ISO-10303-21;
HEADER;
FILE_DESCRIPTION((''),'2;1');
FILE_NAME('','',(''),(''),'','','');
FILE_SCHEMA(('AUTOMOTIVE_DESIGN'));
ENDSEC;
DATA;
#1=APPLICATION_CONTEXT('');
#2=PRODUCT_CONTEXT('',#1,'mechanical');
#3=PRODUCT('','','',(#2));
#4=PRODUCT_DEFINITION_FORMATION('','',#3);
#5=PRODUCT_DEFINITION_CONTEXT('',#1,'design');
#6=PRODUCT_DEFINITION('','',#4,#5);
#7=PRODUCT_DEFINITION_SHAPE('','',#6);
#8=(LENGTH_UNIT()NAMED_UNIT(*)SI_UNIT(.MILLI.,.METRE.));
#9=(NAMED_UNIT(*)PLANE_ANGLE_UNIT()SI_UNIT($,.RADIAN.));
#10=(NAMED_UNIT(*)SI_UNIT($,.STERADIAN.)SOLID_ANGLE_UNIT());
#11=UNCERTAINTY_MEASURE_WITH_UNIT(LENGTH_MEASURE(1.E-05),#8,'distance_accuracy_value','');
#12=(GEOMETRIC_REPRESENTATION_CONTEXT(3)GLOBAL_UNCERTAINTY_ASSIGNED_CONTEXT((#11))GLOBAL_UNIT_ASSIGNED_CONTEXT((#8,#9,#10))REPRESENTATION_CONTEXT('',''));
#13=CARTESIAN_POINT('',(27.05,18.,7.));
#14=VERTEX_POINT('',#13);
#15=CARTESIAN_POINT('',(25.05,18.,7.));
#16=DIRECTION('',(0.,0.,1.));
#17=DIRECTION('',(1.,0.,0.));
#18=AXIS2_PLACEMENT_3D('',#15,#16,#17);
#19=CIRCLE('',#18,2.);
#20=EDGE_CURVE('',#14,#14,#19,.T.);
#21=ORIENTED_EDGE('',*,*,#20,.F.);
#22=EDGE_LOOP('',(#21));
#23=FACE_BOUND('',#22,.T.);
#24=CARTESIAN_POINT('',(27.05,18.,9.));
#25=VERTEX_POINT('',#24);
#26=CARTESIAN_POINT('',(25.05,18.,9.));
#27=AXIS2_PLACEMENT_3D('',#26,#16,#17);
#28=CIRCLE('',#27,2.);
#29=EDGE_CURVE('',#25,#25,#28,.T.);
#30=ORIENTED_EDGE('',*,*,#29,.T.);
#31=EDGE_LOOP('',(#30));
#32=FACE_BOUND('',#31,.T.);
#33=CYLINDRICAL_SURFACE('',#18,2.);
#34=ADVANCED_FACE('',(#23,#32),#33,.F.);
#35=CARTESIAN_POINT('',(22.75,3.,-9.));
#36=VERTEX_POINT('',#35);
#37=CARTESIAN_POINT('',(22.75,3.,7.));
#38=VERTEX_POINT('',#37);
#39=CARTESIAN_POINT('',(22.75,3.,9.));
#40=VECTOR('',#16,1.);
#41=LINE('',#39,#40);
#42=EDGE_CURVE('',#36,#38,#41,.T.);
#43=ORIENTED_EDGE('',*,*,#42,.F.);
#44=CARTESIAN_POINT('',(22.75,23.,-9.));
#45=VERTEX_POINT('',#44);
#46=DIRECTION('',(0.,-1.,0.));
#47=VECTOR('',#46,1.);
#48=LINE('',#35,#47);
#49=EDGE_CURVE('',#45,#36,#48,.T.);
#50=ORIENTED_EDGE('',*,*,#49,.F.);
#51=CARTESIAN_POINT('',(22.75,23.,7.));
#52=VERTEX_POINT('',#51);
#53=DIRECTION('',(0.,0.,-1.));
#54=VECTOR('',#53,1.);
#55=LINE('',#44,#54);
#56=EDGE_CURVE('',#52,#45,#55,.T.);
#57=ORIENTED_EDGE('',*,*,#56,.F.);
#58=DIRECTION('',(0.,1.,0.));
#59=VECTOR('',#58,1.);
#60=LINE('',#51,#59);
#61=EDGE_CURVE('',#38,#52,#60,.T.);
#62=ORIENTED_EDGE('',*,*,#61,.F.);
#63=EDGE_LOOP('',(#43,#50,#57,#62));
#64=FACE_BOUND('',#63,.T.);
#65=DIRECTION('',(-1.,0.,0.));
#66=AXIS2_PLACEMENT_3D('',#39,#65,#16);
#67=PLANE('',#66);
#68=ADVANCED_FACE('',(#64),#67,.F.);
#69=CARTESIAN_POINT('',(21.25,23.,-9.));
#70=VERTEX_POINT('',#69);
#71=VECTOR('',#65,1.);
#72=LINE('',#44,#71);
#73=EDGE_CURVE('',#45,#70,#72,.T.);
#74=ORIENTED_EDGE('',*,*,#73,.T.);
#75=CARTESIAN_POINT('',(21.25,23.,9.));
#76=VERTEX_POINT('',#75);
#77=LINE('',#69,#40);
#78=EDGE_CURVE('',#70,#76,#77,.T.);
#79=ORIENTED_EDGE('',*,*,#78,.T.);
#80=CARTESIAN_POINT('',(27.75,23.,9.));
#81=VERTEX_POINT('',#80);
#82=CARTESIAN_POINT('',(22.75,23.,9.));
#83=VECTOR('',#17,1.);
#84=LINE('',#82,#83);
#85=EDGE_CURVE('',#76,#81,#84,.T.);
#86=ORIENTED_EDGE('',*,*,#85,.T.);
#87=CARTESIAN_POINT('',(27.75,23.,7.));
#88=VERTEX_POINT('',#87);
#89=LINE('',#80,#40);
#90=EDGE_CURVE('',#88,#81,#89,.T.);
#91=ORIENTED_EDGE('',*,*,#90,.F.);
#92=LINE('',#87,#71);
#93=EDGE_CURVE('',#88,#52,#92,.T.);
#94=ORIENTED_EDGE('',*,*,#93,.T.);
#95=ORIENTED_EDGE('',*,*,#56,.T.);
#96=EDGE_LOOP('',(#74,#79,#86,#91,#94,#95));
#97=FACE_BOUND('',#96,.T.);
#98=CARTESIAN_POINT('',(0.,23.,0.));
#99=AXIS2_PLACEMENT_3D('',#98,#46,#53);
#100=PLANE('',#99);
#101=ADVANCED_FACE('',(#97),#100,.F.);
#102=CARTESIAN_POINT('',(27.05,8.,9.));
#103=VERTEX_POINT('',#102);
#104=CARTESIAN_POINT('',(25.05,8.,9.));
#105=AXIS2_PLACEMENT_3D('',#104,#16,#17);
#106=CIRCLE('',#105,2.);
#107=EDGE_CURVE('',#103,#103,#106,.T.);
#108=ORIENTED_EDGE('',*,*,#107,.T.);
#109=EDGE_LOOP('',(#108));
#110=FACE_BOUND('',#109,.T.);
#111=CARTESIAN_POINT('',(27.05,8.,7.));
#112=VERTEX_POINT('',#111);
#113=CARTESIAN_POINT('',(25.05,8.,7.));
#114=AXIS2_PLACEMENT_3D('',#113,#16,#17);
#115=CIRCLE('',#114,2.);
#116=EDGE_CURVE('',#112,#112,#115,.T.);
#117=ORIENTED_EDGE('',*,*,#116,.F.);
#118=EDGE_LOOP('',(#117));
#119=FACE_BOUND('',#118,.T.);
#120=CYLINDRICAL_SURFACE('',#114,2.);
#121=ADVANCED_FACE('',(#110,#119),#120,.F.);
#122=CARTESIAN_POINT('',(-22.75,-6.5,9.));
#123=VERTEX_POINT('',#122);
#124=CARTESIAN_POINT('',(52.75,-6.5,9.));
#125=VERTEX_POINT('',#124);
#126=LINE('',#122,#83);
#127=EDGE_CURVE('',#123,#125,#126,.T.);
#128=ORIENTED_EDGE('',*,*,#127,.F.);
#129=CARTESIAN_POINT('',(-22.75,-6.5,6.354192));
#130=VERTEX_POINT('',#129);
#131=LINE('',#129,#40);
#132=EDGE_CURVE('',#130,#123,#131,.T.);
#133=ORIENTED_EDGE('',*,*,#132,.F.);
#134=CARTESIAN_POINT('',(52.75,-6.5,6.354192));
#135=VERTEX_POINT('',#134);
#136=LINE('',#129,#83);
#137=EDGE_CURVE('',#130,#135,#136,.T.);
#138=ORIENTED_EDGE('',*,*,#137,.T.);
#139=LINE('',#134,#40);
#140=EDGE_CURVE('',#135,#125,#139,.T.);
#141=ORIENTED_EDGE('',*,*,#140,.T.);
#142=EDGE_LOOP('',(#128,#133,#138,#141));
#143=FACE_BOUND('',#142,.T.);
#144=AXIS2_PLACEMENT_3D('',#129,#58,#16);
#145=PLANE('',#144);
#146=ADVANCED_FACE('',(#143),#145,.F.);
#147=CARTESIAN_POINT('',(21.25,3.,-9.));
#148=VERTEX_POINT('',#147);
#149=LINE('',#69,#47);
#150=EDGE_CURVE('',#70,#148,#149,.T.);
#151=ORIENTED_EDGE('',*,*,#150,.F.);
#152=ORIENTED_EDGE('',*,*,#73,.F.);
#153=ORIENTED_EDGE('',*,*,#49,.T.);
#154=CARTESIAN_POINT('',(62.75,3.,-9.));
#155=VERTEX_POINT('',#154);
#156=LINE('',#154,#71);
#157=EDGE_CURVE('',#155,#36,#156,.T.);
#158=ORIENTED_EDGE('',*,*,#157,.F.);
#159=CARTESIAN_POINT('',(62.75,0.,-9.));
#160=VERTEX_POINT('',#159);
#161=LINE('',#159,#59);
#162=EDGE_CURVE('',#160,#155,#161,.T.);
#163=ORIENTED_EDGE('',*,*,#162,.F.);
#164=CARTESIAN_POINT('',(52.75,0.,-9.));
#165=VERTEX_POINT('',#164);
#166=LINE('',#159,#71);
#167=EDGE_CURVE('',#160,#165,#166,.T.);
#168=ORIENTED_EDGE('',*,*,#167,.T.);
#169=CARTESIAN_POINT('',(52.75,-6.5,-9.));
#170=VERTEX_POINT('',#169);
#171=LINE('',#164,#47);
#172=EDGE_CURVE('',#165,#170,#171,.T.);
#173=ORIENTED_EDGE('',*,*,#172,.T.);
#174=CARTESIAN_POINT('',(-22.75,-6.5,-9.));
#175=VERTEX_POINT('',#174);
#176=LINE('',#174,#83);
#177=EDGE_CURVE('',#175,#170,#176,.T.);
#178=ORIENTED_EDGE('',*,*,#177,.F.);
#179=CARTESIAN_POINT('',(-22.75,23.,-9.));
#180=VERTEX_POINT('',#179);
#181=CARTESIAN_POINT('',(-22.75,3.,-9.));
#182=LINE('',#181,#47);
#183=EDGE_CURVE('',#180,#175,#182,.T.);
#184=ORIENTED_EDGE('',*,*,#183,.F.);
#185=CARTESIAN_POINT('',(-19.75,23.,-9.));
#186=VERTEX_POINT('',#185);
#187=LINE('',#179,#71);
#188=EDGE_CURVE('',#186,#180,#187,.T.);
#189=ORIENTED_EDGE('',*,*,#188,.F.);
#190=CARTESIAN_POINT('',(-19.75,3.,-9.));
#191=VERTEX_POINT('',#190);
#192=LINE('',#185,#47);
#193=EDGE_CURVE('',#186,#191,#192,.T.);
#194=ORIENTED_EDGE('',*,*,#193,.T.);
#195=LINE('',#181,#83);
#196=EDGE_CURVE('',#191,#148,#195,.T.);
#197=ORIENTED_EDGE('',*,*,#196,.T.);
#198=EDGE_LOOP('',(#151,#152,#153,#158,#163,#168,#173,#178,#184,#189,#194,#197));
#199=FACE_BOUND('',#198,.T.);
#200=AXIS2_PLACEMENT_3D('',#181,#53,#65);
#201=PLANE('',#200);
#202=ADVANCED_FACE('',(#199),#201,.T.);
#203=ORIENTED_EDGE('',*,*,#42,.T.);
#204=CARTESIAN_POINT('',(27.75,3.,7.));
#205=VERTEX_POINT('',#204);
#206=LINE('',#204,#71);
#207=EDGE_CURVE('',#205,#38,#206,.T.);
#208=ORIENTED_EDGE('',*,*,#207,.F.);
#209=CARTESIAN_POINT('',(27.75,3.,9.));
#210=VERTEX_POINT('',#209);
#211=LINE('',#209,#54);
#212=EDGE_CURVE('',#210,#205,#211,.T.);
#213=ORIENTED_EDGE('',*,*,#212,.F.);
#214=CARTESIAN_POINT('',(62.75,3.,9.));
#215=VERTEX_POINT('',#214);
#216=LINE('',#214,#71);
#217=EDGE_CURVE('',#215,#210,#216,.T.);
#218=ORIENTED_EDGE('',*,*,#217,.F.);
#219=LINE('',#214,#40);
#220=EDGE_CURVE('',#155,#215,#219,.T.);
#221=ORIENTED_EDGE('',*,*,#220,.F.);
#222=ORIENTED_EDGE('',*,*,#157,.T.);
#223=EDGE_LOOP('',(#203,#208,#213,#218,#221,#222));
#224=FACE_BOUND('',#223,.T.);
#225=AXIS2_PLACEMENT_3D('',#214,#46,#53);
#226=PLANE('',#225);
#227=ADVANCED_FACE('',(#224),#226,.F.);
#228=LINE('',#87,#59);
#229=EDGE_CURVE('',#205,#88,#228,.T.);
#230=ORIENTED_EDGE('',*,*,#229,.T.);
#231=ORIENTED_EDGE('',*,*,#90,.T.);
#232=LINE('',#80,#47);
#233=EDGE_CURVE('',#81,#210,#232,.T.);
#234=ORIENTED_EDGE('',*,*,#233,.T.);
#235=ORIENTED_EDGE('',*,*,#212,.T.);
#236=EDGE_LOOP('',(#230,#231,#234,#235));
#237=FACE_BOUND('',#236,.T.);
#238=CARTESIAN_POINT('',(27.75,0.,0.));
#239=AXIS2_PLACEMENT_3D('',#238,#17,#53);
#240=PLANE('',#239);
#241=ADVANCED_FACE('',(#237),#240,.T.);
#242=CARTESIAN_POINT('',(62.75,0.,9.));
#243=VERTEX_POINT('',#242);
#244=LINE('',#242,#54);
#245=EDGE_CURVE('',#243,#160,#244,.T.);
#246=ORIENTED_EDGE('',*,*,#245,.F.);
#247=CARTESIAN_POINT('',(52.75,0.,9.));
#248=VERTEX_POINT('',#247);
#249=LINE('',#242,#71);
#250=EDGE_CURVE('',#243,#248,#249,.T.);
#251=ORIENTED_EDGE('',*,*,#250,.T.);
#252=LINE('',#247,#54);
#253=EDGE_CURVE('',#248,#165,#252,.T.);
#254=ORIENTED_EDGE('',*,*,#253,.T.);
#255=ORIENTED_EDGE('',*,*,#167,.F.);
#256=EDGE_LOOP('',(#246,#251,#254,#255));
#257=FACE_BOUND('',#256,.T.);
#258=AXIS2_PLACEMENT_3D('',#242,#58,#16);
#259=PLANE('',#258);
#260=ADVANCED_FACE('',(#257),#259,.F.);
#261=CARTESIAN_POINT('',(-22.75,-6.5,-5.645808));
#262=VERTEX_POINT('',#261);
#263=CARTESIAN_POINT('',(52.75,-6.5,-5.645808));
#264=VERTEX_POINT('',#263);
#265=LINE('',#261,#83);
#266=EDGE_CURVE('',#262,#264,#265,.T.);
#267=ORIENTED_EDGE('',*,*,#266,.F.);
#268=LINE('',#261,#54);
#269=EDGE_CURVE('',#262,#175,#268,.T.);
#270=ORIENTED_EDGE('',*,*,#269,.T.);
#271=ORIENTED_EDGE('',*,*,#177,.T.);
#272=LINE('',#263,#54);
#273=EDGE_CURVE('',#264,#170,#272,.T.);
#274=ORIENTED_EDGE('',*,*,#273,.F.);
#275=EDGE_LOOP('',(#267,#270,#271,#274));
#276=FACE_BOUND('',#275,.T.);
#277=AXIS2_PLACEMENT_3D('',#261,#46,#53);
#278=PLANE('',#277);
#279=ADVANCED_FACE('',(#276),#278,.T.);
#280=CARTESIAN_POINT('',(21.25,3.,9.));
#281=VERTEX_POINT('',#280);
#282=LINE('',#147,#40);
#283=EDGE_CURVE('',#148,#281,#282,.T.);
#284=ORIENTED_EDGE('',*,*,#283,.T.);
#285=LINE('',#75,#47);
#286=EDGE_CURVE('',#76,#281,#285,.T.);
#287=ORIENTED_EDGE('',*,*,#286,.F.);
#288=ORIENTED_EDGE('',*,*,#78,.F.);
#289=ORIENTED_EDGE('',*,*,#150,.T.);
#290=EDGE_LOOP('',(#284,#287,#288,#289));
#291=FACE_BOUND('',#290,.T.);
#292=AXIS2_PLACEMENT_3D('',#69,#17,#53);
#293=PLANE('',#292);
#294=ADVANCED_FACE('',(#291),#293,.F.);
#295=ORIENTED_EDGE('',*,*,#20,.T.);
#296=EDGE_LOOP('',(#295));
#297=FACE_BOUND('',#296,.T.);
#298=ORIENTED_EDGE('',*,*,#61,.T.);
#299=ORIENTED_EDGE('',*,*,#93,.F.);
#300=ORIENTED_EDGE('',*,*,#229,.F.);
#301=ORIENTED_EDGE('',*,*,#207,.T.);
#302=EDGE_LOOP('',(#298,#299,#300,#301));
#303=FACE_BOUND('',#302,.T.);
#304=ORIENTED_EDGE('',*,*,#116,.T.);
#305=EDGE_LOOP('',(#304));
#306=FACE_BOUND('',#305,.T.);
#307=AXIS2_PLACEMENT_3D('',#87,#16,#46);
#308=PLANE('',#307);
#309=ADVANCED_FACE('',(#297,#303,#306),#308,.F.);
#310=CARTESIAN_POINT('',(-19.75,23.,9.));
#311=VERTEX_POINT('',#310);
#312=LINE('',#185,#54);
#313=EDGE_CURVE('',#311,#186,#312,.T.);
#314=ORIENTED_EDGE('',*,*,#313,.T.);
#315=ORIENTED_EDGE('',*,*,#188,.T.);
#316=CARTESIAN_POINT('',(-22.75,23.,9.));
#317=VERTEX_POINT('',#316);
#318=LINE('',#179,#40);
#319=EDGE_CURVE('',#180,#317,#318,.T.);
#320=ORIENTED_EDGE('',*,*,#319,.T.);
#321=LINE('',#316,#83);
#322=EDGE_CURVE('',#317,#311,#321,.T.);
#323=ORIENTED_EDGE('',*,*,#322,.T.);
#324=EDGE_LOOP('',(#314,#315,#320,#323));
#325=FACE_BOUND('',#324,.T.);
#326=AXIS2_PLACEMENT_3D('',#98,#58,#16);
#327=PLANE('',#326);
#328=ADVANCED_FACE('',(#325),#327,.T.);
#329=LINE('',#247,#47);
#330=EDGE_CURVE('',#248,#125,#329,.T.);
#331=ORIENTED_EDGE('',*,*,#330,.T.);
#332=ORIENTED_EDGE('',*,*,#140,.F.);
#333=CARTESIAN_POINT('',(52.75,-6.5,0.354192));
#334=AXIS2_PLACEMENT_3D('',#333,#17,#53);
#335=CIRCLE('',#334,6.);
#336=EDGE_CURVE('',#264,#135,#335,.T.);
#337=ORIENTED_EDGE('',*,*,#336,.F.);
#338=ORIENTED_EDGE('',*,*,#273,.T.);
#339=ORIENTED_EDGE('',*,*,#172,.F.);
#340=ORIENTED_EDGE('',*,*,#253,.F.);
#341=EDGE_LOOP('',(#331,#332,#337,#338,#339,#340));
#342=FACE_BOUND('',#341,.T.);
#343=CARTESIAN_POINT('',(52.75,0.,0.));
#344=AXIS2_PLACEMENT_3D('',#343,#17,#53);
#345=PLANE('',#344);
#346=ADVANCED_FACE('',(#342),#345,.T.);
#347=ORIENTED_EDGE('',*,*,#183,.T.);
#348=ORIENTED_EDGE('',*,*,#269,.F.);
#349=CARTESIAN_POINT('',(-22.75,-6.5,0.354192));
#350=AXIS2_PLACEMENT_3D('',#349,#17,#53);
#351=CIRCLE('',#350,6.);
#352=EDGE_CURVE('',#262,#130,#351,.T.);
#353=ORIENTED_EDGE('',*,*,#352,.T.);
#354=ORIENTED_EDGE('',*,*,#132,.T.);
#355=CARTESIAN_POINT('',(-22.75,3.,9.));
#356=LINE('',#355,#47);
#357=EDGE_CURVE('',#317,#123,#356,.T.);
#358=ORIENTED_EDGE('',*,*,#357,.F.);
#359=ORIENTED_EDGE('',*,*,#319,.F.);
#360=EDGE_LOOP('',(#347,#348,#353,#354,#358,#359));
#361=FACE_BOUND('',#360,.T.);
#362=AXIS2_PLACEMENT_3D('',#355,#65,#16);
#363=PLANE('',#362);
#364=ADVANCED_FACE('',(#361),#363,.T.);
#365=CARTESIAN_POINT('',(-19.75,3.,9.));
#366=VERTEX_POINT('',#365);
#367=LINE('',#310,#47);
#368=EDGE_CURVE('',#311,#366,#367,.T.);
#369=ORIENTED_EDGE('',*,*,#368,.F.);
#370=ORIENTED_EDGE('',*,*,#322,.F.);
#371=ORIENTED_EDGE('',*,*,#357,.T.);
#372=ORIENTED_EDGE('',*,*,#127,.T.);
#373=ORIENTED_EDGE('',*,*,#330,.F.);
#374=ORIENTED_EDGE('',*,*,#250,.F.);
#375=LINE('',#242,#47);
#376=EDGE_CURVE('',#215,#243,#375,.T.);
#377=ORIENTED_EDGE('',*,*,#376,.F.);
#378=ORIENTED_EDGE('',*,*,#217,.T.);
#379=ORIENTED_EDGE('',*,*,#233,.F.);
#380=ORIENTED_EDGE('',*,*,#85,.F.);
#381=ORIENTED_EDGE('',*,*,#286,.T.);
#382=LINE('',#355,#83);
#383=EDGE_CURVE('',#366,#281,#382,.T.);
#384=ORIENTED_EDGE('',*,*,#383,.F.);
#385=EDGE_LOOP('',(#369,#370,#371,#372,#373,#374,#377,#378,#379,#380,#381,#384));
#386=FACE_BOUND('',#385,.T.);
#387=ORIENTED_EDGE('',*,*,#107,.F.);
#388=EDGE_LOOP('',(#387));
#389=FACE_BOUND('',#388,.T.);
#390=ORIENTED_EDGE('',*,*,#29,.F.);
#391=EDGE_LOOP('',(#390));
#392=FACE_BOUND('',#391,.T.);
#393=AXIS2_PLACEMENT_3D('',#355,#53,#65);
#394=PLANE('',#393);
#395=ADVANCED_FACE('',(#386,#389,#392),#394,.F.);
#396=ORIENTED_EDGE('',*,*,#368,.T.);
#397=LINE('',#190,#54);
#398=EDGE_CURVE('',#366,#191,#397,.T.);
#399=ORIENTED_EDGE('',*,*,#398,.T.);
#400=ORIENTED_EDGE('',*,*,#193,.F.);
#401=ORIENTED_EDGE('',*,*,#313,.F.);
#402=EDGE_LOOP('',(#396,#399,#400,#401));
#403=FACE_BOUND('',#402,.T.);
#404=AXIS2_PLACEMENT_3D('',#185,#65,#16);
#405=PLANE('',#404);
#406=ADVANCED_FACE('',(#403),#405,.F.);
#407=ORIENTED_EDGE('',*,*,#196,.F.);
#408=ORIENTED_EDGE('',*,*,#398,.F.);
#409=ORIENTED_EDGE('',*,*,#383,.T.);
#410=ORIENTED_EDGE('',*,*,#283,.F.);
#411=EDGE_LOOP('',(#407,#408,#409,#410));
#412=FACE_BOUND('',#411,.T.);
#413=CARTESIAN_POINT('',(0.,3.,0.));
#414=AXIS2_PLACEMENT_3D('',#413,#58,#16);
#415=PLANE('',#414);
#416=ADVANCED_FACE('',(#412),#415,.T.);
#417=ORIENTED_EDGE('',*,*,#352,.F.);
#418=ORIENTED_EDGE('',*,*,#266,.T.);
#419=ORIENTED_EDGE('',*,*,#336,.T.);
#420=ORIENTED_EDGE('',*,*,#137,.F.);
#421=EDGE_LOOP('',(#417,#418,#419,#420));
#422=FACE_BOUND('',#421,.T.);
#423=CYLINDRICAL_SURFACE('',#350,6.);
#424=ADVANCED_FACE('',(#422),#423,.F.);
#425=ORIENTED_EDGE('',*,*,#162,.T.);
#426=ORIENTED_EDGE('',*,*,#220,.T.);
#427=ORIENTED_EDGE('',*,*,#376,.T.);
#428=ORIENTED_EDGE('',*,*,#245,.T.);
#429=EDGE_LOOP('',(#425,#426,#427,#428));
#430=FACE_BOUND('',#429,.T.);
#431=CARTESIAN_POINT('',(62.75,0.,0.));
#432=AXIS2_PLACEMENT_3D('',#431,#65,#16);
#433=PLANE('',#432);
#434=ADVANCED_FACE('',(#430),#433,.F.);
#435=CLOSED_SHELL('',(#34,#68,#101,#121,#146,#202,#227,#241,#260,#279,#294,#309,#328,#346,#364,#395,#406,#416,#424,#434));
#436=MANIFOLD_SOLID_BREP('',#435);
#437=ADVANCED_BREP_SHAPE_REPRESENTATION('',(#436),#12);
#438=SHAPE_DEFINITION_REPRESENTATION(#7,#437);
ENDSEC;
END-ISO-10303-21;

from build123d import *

# Parameters (mm, degrees)
SKETCH1_W            = 45.5
SKETCH1_H            = 18
BOSS_EXTRUDE1_DEPTH  = 3
SKETCH2_W            = 3
SKETCH2_H            = 18
SKETCH2_W_2          = 1.5
BOSS_EXTRUDE2_DEPTH  = 20
SKETCH6_W            = 2
SKETCH6_H            = 20
BOSS_EXTRUDE5_DEPTH  = 5
SKETCH7_R            = 2
CUT_EXTRUDE2_DEPTH   = 2
BOSS_EXTRUDE9_DEPTH  = 75.5
SKETCH9_W            = 18
SKETCH9_H            = 3
BOSS_EXTRUDE10_DEPTH = 40


with BuildPart() as part:
    # Sketch1 → Boss-Extrude1 (new body)
    with BuildSketch(Plane(origin=(0, 0, 0), x_dir=(1, 0, 0), z_dir=(0, 1, 0))):
        Rectangle(SKETCH1_W, SKETCH1_H)
    extrude(amount=BOSS_EXTRUDE1_DEPTH)

    # Sketch2 → Boss-Extrude2 (add)
    with BuildSketch(Plane(origin=(0, 3, 0), x_dir=(1, 0, 0), z_dir=(0, 1, 0))):
        with Locations((-21.25, 0)):
            Rectangle(SKETCH2_W, SKETCH2_H)
        with Locations((22, 0)):
            Rectangle(SKETCH2_W_2, SKETCH2_H)
    extrude(amount=BOSS_EXTRUDE2_DEPTH)

    # Sketch6 → Boss-Extrude5 (add)
    with BuildSketch(Plane(origin=(22.75, 0, 0), x_dir=(0, 0, -1), z_dir=(1, 0, 0))):
        with Locations((-8, 13)):
            Rectangle(SKETCH6_W, SKETCH6_H)
    extrude(amount=BOSS_EXTRUDE5_DEPTH)

    # Sketch7 → Cut-Extrude2 (cut)
    with BuildSketch(Plane.XY.offset(9)):
        with Locations((25.05, 8)):
            Circle(SKETCH7_R)
        with Locations((25.05, 18)):
            Circle(SKETCH7_R)
    extrude(amount=-CUT_EXTRUDE2_DEPTH, mode=Mode.SUBTRACT)

    # 3DSketch1 → Boss-Extrude9 (add)
    with BuildSketch(Plane(origin=(-22.75, 0, 9), x_dir=(0, -0.3396444637775567, -0.9405538996916956), z_dir=(-1, 0, 0))):
        with BuildLine():
            Line((0, 0), (2.207689015, 6.113600348))
            Line((2.207689015, 6.113600348), (4.696214266, 5.214966229))
            ThreePointArc((4.696214266, 5.214966229), (8.301670881, -2.466223951), (15.982861062, 1.139232664))
            Line((15.982861062, 1.139232664), (19.137659209, 0))
            Line((19.137659209, 0), (16.929970194, -6.113600348))
            Line((16.929970194, -6.113600348), (0, 0))
        make_face()
    extrude(amount=-BOSS_EXTRUDE9_DEPTH)

    # Sketch9 → Boss-Extrude10 (add)
    with BuildSketch(Plane(origin=(22.75, 0, 0), x_dir=(0, 0, -1), z_dir=(1, 0, 0))):
        with Locations((0, 1.5)):
            Rectangle(SKETCH9_W, SKETCH9_H)
    extrude(amount=BOSS_EXTRUDE10_DEPTH)


solid = part.part
